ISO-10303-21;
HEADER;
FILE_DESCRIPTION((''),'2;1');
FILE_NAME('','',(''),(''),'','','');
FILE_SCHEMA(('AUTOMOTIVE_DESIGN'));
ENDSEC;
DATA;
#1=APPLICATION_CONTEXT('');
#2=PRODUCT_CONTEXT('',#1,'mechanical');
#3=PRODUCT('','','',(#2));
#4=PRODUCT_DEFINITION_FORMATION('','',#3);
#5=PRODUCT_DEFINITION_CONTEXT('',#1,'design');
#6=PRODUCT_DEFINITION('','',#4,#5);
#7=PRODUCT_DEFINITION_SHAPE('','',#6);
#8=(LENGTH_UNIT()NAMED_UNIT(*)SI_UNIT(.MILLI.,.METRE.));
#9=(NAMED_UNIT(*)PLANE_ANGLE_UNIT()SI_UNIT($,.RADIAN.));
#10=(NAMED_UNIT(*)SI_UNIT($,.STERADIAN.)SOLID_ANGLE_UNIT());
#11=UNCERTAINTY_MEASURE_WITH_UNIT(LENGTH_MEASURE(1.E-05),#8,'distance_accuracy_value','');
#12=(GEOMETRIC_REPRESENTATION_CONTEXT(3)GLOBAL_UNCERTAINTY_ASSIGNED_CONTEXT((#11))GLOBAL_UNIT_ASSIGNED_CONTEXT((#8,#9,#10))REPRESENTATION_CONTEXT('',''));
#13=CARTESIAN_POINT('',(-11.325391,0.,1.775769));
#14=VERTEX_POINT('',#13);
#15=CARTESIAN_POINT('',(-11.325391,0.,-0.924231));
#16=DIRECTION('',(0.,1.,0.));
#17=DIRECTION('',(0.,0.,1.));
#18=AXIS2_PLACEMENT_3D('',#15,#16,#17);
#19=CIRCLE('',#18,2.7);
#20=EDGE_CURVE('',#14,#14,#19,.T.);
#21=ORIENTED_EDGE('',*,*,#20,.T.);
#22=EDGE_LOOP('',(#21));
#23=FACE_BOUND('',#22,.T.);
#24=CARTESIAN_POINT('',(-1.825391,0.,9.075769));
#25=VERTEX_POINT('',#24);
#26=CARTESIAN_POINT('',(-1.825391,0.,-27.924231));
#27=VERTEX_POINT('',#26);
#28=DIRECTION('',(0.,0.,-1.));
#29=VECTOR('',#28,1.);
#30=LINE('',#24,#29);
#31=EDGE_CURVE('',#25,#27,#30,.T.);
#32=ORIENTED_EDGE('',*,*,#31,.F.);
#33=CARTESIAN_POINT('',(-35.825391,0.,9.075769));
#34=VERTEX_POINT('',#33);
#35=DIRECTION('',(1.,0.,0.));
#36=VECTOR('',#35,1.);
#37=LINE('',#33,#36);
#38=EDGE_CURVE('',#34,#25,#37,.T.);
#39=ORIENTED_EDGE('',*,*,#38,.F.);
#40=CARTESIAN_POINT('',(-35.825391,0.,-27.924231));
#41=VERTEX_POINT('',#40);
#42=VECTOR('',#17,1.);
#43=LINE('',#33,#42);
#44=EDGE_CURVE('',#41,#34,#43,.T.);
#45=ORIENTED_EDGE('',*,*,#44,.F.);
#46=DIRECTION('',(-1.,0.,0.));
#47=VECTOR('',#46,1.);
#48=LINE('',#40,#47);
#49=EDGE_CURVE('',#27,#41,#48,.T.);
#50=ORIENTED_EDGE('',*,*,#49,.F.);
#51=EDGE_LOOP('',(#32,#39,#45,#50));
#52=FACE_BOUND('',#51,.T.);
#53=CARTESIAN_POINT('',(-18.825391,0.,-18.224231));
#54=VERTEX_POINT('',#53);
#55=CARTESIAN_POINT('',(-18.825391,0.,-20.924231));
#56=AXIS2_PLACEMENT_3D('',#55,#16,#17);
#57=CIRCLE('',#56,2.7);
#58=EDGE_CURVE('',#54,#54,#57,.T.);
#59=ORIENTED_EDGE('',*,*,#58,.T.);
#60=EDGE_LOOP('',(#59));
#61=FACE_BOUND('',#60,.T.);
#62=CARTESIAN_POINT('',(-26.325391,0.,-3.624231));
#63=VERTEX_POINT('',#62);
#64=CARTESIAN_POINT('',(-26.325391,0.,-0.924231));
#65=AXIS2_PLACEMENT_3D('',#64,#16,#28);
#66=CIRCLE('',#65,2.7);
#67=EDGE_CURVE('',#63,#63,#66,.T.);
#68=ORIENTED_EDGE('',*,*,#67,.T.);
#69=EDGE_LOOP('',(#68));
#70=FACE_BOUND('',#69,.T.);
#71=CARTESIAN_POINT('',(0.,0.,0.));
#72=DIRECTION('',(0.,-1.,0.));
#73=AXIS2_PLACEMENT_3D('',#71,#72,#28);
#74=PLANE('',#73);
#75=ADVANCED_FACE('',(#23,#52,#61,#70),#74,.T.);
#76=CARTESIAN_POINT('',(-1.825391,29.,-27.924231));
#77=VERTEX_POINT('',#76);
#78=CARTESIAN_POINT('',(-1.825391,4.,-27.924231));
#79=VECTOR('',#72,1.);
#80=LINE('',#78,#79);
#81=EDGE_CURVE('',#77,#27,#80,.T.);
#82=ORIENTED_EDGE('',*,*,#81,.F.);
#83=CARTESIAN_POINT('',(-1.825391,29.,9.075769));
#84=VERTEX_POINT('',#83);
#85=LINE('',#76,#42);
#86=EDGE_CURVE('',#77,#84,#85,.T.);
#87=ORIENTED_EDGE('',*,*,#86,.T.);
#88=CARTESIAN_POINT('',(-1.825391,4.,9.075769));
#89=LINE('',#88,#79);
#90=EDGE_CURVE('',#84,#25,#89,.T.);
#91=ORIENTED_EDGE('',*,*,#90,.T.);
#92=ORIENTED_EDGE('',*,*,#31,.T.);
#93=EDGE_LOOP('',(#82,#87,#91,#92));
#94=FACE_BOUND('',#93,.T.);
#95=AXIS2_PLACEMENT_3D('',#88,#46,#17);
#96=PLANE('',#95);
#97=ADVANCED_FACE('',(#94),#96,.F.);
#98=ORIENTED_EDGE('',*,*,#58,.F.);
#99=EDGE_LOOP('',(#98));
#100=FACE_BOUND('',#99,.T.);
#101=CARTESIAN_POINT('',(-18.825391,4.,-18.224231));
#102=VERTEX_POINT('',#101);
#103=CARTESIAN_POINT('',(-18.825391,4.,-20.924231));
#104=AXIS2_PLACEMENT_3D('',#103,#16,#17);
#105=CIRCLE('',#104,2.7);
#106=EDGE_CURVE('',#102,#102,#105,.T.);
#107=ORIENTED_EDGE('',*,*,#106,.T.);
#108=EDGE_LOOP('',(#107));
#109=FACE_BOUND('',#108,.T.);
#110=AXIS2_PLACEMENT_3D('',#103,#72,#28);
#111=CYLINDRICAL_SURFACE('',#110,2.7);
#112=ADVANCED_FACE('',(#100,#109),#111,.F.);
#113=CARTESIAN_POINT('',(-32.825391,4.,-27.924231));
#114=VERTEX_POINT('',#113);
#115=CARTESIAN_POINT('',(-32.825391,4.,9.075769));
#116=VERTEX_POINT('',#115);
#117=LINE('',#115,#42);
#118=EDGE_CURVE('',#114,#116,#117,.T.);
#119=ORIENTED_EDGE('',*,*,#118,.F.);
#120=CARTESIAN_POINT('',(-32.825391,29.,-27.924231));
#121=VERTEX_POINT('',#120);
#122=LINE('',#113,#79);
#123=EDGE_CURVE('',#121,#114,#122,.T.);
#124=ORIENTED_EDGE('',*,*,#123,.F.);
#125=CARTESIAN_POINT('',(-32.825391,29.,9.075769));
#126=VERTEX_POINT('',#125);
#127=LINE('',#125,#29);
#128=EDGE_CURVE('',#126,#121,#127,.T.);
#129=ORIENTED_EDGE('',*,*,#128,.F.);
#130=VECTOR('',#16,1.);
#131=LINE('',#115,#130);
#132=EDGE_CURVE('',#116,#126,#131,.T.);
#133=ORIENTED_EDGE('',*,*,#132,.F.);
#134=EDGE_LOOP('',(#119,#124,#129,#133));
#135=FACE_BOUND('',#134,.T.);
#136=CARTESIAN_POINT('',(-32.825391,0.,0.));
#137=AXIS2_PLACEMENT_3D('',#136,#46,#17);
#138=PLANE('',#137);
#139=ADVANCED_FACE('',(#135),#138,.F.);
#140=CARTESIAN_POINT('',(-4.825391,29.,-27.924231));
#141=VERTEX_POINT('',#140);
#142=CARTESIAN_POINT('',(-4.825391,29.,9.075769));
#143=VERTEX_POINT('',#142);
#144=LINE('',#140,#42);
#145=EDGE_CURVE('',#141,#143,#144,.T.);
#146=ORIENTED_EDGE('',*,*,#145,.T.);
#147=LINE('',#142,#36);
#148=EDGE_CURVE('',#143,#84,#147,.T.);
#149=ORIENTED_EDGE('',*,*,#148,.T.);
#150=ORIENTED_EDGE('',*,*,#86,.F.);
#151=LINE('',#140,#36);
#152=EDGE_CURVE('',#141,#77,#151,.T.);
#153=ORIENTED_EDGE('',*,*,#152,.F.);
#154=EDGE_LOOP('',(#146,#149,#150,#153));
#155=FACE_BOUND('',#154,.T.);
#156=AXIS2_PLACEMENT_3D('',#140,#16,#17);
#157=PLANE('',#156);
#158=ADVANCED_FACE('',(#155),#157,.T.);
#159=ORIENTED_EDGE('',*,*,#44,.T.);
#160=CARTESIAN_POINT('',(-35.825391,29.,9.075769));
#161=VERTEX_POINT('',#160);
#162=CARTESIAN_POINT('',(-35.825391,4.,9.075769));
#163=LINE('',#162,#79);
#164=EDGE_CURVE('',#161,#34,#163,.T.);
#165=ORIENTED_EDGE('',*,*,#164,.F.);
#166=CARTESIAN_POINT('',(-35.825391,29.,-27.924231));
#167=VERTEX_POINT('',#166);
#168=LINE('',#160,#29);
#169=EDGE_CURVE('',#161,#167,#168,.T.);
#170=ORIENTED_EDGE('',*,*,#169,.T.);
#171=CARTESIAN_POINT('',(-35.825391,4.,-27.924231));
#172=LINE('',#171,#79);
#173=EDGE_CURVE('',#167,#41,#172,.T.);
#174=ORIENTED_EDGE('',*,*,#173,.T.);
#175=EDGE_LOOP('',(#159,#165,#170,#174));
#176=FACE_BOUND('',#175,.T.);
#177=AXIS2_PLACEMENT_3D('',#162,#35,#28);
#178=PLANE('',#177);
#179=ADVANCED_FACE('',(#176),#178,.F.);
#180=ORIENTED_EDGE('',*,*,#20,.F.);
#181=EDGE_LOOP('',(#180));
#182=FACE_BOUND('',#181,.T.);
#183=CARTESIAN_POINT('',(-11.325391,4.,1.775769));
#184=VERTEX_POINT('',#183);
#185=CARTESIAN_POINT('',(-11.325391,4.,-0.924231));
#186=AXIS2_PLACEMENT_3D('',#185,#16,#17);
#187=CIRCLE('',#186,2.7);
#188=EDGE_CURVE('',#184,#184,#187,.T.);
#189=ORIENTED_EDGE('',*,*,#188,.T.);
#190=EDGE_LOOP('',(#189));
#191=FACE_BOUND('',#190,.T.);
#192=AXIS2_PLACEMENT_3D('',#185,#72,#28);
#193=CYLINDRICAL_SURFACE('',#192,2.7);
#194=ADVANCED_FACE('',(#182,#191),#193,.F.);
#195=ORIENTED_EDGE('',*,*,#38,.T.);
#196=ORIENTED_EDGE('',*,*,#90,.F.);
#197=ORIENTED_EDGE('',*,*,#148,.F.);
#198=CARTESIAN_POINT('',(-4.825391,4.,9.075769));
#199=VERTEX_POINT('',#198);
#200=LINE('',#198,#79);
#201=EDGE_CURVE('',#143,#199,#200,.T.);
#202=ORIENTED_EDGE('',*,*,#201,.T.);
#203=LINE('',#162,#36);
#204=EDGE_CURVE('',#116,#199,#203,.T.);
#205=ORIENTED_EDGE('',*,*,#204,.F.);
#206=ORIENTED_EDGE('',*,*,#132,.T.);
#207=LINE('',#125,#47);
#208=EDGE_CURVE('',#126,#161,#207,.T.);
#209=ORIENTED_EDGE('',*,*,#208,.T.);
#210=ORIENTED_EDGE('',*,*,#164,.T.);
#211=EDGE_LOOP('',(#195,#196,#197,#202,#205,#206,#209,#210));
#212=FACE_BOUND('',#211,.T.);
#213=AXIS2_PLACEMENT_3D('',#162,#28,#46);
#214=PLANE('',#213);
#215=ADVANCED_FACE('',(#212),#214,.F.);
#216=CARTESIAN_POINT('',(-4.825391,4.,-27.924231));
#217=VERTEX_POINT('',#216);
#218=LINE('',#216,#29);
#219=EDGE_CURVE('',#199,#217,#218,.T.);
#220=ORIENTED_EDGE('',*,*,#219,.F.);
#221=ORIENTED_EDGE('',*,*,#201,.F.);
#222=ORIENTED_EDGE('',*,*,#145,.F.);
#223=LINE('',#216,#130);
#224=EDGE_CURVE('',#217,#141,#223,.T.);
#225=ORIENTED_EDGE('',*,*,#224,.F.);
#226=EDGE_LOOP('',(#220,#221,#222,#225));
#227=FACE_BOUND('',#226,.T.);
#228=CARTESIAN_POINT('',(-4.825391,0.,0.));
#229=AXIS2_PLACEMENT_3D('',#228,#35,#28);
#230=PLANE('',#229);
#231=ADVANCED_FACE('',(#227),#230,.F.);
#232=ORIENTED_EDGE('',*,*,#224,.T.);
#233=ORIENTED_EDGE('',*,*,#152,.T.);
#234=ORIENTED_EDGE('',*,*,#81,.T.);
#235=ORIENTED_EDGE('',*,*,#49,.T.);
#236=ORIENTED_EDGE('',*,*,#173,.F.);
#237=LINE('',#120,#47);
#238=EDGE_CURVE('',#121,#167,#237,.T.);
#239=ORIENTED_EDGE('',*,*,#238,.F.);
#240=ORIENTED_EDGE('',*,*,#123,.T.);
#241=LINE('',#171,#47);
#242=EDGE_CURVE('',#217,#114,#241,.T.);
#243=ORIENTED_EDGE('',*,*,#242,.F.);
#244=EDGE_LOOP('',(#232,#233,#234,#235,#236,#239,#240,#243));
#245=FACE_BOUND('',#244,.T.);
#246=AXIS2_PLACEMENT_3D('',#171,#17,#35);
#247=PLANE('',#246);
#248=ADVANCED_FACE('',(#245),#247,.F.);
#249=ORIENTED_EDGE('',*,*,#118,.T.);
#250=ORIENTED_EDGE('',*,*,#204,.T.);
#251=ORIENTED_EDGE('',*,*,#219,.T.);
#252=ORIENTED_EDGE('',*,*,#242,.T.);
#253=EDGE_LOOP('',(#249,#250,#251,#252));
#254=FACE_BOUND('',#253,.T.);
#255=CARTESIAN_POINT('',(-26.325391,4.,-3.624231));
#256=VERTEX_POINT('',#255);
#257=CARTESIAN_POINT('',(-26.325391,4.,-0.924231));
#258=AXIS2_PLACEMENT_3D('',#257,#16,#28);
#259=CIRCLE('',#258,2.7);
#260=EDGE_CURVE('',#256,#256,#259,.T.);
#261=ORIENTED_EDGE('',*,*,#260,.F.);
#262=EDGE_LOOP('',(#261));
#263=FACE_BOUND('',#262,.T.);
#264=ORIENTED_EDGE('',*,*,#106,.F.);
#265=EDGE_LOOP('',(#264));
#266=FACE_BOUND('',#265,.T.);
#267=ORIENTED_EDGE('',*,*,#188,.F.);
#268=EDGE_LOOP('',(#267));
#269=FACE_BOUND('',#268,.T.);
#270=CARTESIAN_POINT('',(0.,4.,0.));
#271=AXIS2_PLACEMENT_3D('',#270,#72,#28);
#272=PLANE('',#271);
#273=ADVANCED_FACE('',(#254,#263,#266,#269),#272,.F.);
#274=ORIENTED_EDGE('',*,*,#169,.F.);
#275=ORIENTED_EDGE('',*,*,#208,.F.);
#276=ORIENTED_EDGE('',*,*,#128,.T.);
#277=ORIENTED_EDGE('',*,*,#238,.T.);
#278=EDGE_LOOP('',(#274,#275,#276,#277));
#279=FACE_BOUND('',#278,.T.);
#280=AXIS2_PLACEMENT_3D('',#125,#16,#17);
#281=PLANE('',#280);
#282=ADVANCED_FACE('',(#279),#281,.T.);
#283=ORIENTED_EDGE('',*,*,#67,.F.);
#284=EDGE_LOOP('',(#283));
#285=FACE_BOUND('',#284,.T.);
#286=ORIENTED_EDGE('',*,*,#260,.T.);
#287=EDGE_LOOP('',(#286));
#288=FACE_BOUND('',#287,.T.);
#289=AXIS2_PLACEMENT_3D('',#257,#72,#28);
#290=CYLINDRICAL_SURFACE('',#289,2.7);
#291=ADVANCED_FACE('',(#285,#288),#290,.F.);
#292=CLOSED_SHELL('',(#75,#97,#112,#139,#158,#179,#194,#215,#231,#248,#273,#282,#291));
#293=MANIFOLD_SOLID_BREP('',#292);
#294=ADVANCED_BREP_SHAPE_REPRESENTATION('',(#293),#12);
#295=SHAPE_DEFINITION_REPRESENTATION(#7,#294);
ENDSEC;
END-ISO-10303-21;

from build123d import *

# Parameters (mm, degrees)
SKETCH1_W            = 34
SKETCH1_H            = 37
SKETCH1_R            = 2.7
BOSS_EXTRUDE1_DEPTH  = 4
SKETCH30_W           = 37
SKETCH30_H           = 25
BOSS_EXTRUDE19_DEPTH = 3
SKETCH31_W           = 37
SKETCH31_H           = 25
BOSS_EXTRUDE20_DEPTH = 3


with BuildPart() as part:
    # Sketch1 → Boss-Extrude1 (new body)
    with BuildSketch(Plane(origin=(0, 0, 0), x_dir=(1, 0, 0), z_dir=(0, 1, 0))):
        with Locations((-18.825390803, 9.424231459)):
            Rectangle(SKETCH1_W, SKETCH1_H)
        with Locations(Location((-18.825390803, 20.924231459, 0), (0, 0, 270))):
            Circle(SKETCH1_R, mode=Mode.SUBTRACT)
        with Locations(Location((-11.325390803, 0.924231459, 0), (0, 0, 270))):
            Circle(SKETCH1_R, mode=Mode.SUBTRACT)
        with Locations(Location((-26.325390803, 0.924231459, 0), (0, 0, 90))):
            Circle(SKETCH1_R, mode=Mode.SUBTRACT)
    extrude(amount=BOSS_EXTRUDE1_DEPTH)

    # Sketch30 → Boss-Extrude19 (add)
    with BuildSketch(Plane.ZY.offset(35.825390803)):
        with Locations((-9.424231459, 16.5)):
            Rectangle(SKETCH30_W, SKETCH30_H)
    extrude(amount=-BOSS_EXTRUDE19_DEPTH)

    # Sketch31 → Boss-Extrude20 (add)
    with BuildSketch(Plane(origin=(-1.825390803, 0, 0), x_dir=(0, 0, -1), z_dir=(1, 0, 0))):
        with Locations((9.424231459, 16.5)):
            Rectangle(SKETCH31_W, SKETCH31_H)
    extrude(amount=-BOSS_EXTRUDE20_DEPTH)


solid = part.part
